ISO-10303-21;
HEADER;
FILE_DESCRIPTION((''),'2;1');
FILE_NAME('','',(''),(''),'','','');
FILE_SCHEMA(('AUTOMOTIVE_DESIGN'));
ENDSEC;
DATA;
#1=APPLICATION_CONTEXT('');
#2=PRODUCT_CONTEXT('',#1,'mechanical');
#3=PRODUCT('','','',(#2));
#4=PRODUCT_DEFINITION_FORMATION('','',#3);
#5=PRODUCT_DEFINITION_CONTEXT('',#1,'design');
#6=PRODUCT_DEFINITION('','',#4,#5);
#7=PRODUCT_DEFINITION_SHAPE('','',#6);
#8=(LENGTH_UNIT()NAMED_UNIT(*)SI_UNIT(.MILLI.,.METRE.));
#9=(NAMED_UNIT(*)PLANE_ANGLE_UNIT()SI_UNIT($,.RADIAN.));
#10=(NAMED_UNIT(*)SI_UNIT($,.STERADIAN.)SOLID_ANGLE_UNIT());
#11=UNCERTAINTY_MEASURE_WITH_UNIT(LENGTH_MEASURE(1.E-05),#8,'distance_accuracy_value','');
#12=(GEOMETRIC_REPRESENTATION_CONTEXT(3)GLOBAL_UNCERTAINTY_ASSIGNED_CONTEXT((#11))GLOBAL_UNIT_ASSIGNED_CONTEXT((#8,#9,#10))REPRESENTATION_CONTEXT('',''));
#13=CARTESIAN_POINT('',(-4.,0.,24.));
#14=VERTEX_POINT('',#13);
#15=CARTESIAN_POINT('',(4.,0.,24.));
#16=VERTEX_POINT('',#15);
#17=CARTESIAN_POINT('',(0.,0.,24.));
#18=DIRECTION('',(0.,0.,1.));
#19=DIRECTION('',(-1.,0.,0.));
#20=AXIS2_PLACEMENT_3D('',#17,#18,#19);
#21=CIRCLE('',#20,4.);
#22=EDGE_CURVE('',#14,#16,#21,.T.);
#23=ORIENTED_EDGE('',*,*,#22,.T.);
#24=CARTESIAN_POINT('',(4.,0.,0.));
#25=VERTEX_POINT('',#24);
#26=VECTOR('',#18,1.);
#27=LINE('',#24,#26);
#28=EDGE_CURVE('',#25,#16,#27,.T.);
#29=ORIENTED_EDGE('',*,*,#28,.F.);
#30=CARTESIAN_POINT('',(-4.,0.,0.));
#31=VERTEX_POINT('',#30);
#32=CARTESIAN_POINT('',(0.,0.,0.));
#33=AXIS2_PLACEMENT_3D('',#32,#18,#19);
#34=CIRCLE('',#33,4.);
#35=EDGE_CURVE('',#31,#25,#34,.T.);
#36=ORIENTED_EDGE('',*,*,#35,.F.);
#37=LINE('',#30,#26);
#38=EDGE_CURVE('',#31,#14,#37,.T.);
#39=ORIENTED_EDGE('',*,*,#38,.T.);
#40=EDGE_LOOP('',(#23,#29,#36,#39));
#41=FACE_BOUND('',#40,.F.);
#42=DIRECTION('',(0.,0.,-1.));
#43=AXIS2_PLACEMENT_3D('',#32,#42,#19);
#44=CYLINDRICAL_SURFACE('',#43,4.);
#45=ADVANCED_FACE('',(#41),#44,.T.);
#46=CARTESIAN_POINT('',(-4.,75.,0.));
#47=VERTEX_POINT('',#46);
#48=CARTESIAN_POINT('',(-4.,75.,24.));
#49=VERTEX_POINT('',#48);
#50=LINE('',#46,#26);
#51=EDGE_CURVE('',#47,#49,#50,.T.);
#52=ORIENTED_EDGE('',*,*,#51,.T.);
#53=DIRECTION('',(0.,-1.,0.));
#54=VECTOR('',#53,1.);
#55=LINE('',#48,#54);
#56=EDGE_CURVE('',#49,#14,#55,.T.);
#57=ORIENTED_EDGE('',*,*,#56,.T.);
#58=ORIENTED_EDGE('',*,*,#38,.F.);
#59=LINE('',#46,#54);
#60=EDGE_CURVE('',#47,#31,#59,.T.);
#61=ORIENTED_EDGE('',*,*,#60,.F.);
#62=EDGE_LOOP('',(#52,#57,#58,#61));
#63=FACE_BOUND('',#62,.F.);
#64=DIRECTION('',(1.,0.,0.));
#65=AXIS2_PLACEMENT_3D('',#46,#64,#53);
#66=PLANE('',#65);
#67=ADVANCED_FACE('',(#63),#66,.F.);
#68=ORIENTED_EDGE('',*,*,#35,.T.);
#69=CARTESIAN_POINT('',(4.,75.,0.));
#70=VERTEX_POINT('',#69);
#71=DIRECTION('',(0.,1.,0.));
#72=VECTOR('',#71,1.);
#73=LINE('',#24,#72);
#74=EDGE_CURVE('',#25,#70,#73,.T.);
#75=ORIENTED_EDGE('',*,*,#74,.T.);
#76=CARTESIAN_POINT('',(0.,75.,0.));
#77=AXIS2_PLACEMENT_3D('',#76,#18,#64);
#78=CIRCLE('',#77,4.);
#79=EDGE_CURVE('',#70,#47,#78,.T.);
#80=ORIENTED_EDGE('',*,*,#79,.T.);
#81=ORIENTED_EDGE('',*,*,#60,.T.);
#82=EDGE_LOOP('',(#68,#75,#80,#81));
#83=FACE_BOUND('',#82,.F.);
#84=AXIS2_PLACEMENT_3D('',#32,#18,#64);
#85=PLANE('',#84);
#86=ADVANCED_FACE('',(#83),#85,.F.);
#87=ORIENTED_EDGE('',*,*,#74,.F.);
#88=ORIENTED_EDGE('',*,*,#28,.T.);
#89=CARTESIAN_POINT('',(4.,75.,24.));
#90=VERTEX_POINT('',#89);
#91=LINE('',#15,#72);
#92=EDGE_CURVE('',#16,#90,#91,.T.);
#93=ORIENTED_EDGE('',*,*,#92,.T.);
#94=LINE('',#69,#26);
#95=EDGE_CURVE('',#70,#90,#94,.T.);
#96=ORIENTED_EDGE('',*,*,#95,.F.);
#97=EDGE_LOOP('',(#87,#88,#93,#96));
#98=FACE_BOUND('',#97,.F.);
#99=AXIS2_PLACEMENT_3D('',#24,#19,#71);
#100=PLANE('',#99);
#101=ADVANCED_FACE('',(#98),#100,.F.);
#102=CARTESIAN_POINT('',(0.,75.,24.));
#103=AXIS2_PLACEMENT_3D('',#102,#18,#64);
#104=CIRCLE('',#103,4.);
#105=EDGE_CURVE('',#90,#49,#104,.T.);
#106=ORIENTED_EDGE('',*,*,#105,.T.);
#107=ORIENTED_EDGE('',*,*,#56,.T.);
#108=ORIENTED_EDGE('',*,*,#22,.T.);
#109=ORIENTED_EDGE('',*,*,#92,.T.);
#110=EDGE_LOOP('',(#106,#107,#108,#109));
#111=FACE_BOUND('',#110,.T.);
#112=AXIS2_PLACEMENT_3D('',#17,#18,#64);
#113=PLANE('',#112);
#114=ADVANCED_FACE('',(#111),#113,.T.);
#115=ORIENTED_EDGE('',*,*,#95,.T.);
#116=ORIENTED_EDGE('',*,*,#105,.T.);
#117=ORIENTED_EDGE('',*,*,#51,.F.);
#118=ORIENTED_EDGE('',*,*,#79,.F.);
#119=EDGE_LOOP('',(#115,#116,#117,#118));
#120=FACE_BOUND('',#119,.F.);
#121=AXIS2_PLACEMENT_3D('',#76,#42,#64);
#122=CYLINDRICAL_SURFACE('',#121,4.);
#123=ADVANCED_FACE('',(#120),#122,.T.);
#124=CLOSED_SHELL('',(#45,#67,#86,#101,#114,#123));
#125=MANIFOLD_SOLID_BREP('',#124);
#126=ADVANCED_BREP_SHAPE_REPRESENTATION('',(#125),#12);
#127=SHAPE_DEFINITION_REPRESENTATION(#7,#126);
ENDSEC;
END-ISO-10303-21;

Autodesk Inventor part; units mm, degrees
ref_plane "YZ Plane" through (0, 0, 0) normal (1, 0, 0) x (0, 1, 0)
ref_plane "XZ Plane" through (0, 0, 0) normal (0, 1, 0) x (-1, 0, 0)
ref_plane "XY Plane" through (0, 0, 0) normal (0, 0, 1) x (1, 0, 0)
sketch "Sketch1" plane through (0, 0, 0) normal (0, 0, 1) x (1, 0, 0)
  line L0 (0, 0) -> (0, 75) construction
  line L1 (4, 0) -> (4, 75)
  line L2 (-4, 75) -> (-4, 0)
  arc A0 (-4, 0) -> (4, 0) centre (0, 0) ccw
  arc A1 (4, 75) -> (-4, 75) centre (0, 75) ccw
  point P0 (0, 37.5)
  dimension "d0" = 75
  dimension "d1" = 8
extrude "Extrusion1" add sketch "Sketch1" along normal blind 24
properties part number "clawLinks"
